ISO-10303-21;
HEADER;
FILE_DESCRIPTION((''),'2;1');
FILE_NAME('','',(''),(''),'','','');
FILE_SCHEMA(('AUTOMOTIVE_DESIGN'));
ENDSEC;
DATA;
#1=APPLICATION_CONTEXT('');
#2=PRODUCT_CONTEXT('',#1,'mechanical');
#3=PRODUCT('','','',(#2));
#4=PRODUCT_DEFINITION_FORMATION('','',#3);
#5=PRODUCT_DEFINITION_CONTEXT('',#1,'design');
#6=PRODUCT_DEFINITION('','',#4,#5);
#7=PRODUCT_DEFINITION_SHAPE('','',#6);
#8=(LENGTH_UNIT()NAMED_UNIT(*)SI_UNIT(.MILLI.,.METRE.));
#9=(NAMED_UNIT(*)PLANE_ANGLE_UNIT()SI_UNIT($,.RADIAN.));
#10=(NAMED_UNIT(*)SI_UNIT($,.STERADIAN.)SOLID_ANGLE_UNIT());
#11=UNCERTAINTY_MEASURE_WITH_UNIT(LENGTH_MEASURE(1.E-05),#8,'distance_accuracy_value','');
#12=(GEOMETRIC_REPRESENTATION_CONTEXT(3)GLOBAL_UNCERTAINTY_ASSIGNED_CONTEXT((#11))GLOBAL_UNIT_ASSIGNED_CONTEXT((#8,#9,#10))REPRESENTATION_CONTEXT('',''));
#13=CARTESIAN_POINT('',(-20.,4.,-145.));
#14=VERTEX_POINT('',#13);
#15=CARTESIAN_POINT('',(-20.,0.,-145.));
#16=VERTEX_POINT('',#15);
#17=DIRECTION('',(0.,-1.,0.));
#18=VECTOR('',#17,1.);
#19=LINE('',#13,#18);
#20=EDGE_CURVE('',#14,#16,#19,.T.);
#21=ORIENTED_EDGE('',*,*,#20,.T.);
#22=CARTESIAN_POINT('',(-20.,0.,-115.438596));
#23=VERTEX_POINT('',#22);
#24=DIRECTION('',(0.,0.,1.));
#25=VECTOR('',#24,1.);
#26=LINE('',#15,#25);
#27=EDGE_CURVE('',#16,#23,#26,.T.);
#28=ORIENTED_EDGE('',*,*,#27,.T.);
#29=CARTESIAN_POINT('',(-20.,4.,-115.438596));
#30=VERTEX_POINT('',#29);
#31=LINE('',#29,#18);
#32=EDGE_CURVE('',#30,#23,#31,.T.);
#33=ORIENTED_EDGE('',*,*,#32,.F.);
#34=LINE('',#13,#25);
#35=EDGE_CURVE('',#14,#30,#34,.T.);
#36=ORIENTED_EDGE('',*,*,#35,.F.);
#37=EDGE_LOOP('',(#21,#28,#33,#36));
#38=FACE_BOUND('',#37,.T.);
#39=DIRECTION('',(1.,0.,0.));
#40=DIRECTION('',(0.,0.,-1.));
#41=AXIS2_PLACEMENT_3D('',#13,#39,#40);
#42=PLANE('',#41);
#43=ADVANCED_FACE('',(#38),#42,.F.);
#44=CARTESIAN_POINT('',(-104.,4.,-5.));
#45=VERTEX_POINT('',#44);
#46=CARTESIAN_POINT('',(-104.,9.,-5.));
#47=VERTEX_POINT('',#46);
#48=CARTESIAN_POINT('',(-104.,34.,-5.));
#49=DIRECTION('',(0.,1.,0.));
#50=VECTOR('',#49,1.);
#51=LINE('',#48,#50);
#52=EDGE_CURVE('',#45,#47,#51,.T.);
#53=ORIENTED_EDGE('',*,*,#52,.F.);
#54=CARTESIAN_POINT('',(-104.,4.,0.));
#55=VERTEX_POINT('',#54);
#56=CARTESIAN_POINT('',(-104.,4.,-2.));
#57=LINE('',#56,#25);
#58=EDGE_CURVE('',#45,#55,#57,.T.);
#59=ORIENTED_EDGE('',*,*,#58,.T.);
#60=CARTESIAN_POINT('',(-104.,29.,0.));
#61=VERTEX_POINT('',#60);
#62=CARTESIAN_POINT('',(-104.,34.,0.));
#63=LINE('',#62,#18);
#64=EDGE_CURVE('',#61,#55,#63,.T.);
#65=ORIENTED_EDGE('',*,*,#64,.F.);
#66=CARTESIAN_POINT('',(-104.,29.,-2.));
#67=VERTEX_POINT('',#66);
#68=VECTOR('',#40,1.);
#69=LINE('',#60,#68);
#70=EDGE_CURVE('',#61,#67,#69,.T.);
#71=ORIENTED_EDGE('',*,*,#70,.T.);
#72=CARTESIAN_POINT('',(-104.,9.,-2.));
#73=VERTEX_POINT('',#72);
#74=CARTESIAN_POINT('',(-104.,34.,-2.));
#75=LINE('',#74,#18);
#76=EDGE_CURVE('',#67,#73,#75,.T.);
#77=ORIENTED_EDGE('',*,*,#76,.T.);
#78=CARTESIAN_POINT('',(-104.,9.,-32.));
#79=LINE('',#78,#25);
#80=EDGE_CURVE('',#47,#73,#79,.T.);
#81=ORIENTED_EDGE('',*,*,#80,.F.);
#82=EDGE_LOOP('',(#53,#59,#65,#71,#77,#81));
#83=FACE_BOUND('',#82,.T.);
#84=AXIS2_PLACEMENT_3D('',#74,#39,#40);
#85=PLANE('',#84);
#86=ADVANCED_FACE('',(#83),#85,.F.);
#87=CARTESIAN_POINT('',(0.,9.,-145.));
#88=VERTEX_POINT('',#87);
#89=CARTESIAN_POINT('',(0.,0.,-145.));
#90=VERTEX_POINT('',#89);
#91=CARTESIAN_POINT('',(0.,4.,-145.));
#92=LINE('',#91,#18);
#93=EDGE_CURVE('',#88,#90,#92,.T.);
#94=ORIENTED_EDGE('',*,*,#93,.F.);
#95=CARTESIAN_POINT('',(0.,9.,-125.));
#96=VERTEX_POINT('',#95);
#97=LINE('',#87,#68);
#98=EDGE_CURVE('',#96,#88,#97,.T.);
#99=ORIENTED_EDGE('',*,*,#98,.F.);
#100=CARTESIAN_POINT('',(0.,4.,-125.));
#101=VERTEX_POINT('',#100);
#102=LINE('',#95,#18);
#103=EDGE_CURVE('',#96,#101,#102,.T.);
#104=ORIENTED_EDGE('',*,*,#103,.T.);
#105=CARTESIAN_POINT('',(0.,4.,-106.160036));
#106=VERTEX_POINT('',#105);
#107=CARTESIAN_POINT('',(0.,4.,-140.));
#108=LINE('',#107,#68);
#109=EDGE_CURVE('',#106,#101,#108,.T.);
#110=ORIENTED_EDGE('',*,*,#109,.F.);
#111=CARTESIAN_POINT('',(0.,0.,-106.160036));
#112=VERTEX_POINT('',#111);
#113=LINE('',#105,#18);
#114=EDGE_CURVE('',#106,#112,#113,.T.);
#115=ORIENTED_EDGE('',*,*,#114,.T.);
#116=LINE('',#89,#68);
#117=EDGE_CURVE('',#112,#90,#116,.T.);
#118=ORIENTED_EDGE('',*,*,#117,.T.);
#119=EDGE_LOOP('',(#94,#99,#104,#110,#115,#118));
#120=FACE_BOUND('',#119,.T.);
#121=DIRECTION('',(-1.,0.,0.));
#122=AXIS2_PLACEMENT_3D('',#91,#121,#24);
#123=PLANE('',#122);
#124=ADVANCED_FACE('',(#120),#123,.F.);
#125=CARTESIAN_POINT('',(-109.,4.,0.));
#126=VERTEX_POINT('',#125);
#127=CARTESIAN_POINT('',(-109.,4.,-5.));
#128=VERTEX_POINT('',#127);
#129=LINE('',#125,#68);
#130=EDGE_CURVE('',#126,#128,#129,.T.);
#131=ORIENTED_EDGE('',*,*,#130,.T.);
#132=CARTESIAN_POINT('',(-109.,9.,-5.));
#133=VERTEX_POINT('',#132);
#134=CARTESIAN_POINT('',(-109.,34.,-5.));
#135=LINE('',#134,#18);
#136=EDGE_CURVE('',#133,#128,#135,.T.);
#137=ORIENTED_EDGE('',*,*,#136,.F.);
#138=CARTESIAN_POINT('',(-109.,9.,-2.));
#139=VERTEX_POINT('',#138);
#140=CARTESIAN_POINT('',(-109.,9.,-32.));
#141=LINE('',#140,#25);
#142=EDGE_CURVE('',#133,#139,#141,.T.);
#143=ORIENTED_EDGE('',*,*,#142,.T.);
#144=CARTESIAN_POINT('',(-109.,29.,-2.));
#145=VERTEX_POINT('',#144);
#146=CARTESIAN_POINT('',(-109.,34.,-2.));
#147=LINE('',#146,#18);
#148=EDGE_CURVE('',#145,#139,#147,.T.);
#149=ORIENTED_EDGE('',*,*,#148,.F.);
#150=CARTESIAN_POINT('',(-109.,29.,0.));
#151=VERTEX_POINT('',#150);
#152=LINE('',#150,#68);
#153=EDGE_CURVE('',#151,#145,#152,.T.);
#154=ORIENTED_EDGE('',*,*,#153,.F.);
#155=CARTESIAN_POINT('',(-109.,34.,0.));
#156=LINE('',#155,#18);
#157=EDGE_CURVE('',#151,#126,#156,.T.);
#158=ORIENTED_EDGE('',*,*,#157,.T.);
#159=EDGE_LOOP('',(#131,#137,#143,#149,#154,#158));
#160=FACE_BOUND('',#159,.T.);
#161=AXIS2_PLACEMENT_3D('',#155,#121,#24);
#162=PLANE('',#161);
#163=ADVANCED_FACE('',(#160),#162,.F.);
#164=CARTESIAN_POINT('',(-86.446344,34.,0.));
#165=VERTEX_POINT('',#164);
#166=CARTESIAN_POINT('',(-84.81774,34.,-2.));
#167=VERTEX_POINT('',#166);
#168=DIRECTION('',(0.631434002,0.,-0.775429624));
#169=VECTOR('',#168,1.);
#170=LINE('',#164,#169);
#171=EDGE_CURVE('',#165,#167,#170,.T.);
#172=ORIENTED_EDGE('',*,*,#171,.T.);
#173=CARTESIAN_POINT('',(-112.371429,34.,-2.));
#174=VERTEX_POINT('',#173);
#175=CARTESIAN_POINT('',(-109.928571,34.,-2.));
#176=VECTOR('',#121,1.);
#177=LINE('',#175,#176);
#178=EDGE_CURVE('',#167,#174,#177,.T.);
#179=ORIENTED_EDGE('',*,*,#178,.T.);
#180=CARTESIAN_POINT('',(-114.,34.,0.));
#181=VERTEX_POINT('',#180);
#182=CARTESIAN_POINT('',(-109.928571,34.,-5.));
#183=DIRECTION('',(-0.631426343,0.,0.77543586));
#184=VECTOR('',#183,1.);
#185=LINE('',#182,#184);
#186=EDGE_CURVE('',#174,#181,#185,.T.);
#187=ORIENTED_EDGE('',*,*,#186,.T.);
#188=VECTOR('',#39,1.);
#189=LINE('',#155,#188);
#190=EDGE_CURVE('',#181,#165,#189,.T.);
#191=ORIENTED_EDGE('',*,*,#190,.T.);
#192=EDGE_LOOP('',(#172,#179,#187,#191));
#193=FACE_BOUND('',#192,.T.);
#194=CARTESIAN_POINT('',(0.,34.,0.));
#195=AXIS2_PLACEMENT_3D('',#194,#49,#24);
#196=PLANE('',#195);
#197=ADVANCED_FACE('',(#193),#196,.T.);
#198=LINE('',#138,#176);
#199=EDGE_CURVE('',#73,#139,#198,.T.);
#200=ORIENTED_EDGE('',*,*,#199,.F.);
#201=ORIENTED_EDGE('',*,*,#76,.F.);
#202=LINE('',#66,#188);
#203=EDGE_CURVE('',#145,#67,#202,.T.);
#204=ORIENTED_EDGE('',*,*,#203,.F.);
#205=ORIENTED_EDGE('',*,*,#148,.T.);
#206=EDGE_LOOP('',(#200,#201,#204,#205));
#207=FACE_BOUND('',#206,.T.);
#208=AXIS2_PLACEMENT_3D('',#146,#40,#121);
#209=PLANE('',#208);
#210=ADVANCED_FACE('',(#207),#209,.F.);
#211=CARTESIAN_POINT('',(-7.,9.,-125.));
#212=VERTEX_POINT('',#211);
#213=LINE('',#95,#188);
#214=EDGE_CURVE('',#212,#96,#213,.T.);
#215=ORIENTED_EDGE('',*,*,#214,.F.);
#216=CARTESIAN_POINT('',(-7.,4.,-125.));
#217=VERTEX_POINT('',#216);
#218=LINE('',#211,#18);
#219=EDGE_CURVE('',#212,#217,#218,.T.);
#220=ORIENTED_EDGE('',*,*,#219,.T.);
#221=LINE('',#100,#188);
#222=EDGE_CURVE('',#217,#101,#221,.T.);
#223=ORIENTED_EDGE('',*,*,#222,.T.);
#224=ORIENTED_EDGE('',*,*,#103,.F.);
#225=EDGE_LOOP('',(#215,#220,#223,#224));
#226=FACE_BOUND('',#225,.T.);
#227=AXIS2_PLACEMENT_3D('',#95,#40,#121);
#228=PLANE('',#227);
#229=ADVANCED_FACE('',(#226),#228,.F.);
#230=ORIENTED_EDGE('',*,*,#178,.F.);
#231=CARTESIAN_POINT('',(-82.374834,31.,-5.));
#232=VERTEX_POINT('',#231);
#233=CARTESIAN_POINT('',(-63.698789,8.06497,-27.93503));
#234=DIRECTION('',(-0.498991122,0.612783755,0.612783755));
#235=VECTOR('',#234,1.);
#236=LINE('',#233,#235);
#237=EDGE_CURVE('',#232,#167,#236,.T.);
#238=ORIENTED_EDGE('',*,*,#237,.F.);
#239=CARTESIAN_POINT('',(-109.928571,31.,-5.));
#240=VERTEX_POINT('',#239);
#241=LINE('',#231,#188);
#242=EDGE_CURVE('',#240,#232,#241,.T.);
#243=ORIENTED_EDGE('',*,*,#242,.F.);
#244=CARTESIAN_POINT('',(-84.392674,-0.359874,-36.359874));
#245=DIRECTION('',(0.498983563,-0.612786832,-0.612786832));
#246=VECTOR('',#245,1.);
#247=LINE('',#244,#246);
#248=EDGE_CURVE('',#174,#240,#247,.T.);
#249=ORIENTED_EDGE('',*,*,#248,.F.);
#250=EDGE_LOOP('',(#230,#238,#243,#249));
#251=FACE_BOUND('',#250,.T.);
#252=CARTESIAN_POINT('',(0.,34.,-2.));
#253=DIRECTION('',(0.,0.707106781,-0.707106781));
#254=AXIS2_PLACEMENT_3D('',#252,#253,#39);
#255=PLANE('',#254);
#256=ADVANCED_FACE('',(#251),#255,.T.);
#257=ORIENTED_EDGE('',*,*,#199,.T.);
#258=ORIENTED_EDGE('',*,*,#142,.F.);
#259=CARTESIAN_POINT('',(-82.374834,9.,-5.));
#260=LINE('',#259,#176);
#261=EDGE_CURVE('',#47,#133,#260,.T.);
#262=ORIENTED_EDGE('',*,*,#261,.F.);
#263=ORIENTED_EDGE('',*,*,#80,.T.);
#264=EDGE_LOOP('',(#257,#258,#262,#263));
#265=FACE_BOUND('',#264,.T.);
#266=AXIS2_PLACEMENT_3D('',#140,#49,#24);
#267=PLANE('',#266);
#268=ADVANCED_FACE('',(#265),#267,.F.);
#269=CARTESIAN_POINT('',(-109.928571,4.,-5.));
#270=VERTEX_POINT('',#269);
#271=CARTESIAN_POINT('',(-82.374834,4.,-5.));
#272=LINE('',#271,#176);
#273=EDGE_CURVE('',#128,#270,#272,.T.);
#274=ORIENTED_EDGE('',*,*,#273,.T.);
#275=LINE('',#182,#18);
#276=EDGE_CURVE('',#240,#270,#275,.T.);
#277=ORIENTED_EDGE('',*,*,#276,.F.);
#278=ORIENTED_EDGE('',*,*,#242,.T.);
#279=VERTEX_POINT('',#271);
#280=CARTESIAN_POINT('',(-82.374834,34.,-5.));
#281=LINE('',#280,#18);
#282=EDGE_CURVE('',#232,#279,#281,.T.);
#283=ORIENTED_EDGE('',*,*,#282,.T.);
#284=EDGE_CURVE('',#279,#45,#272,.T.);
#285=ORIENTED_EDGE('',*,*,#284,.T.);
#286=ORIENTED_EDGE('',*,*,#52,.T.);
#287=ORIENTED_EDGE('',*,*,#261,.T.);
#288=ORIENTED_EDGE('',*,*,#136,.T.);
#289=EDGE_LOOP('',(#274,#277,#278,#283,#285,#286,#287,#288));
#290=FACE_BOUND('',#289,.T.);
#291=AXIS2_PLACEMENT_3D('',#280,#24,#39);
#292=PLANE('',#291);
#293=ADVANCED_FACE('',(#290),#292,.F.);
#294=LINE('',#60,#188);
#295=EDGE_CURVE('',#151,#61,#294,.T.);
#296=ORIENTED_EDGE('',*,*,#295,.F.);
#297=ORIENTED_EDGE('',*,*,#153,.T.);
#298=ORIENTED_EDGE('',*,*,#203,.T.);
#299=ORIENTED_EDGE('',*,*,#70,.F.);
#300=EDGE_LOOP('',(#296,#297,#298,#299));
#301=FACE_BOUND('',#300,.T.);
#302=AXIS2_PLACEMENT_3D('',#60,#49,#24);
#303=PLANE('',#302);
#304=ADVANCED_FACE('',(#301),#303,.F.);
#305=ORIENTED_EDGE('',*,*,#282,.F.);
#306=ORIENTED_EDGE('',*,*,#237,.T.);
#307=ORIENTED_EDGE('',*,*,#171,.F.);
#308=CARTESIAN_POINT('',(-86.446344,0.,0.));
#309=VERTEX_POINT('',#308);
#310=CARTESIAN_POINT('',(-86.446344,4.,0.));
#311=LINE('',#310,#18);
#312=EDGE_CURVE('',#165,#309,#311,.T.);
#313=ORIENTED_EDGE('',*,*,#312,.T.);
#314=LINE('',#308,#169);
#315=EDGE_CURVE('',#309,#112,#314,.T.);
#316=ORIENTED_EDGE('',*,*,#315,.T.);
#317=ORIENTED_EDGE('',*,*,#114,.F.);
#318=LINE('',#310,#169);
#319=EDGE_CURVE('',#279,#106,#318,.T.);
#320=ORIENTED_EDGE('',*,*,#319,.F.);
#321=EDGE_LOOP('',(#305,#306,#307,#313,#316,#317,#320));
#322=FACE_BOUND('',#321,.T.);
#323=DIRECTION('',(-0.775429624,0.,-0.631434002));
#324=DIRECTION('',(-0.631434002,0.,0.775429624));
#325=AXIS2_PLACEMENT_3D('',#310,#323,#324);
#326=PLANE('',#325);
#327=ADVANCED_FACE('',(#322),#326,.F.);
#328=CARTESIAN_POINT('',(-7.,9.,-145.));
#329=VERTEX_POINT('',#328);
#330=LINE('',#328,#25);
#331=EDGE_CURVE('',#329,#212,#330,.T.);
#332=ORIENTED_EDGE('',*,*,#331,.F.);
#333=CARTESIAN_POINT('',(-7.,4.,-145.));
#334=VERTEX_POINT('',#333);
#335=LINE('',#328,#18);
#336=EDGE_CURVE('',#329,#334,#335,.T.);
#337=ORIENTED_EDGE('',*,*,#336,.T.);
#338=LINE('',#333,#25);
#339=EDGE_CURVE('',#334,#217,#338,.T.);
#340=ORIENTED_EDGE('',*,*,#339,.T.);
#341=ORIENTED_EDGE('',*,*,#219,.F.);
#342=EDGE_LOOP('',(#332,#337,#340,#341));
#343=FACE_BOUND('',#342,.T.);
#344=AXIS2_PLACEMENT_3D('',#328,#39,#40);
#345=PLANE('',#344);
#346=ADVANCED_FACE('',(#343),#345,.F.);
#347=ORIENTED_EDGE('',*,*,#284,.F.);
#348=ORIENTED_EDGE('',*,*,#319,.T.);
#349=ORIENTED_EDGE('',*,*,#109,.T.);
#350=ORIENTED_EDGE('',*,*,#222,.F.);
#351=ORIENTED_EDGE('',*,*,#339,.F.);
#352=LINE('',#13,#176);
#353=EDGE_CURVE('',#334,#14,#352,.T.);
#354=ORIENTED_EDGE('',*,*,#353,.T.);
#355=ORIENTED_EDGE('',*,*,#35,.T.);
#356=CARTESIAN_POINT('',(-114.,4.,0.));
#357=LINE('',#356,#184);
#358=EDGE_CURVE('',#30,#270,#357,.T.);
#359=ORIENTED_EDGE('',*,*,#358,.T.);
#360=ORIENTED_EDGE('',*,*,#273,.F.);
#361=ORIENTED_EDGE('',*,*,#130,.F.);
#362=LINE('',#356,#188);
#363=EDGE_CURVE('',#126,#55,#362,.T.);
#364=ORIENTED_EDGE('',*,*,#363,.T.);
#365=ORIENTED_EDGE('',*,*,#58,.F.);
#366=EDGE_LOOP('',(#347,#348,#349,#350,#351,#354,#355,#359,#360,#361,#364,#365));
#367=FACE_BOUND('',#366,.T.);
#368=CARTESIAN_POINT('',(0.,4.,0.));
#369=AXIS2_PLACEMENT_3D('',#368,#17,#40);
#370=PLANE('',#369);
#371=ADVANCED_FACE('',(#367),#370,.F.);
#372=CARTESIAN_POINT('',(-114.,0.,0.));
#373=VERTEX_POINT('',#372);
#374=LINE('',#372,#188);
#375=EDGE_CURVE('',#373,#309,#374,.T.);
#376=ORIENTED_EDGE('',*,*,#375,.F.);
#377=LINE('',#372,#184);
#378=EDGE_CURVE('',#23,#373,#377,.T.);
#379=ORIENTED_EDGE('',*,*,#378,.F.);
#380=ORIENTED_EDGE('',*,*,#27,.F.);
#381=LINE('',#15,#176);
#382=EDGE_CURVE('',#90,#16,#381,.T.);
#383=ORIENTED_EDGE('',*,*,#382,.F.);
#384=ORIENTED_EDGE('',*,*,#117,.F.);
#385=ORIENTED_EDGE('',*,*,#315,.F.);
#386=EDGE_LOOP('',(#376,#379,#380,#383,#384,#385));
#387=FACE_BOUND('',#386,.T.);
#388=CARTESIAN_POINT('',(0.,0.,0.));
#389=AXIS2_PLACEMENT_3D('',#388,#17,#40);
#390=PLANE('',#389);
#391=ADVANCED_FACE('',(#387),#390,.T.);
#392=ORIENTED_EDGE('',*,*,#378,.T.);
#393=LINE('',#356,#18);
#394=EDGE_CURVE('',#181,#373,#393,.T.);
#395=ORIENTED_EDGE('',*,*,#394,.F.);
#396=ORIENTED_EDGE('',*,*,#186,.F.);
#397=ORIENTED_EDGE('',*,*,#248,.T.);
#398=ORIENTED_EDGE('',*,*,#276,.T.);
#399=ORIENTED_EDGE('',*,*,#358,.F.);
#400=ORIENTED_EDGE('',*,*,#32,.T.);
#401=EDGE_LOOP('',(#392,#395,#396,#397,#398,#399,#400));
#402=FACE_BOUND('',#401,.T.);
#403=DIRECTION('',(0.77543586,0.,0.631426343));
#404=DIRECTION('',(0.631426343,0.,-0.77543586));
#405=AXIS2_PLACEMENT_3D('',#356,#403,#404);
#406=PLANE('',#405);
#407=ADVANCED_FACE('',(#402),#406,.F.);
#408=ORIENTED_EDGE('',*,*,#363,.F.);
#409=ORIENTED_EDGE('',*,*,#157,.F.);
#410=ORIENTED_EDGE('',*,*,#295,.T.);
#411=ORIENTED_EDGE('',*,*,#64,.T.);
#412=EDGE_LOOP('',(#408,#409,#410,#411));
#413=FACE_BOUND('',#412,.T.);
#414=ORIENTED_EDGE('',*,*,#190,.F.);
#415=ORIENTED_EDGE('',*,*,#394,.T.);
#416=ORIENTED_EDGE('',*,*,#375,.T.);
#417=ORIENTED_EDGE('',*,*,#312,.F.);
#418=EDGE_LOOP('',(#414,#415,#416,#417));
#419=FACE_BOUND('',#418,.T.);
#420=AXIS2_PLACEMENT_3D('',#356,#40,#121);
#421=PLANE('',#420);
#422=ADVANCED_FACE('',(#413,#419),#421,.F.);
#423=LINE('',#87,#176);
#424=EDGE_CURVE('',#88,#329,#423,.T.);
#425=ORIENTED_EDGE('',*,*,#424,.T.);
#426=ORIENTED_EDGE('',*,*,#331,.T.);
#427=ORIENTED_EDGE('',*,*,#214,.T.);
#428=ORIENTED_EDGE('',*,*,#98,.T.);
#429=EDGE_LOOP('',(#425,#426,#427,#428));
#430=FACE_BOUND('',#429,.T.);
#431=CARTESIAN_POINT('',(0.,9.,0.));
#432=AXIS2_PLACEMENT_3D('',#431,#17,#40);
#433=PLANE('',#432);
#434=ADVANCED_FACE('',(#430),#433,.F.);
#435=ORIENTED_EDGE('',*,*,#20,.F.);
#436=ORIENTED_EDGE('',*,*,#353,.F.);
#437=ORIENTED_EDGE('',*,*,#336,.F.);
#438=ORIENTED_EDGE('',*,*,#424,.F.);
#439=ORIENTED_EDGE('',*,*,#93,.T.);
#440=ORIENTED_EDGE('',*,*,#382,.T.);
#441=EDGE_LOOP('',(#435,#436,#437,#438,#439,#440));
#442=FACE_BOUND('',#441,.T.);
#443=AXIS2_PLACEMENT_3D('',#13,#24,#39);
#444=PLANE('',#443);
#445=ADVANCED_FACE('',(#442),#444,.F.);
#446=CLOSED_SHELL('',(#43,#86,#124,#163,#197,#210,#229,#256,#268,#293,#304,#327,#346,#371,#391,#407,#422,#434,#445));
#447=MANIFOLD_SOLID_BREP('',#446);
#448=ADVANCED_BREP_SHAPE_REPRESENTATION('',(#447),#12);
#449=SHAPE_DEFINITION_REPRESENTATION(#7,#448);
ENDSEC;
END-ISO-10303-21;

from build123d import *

# Parameters (mm, degrees)
BOSS_EXTRUDE1_DEPTH = 4
SKETCH4_W           = 7
SKETCH4_H           = 20
BOSS_EXTRUDE3_DEPTH = 5
BOSS_EXTRUDE4_DEPTH = 30
SKETCH6_W           = 5
SKETCH6_H           = 5
CUT_EXTRUDE2_DEPTH  = 30
SKETCH7_W           = 5
SKETCH7_H           = 5
BOSS_EXTRUDE5_DEPTH = 2
CHAMFER1_SIZE       = 3


with BuildPart() as part:
    # Sketch1 → Boss-Extrude1 (new body)
    with BuildSketch(Plane(origin=(0, 0, 0), x_dir=(1, 0, 0), z_dir=(0, 1, 0))):
        Polygon((-114, 0), (-86.446344316, 0), (0, 106.160035841), (0, 140), (0, 145), (-20, 145), (-20, 115.438596491), align=None)
    extrude(amount=BOSS_EXTRUDE1_DEPTH)

    # Sketch4 → Boss-Extrude3 (add)
    with BuildSketch(Plane(origin=(0, 4, 0), x_dir=(1, 0, 0), z_dir=(0, 1, 0))):
        with Locations((-3.5, 135)):
            Rectangle(SKETCH4_W, SKETCH4_H)
    extrude(amount=BOSS_EXTRUDE3_DEPTH)

    # Sketch5 → Boss-Extrude4 (add)
    with BuildSketch(Plane(origin=(0, 4, 0), x_dir=(1, 0, 0), z_dir=(0, 1, 0))):
        Polygon((-86.446344316, 0), (-104, 0), (-104, 2), (-109, 2), (-109, 0), (-114, 0), (-109.928571429, 5), (-82.374833619, 5), align=None)
    extrude(amount=BOSS_EXTRUDE4_DEPTH)

    # Sketch6 → Cut-Extrude2 (cut)
    with BuildSketch(Plane.XY.offset(-2)):
        with Locations((-106.5, 6.5)):
            Rectangle(SKETCH6_W, SKETCH6_H)
    extrude(amount=-CUT_EXTRUDE2_DEPTH, mode=Mode.SUBTRACT)

    # Sketch7 → Boss-Extrude5 (add)
    with BuildSketch(Plane.XY.offset(-2)):
        with Locations((-106.5, 31.5)):
            Rectangle(SKETCH7_W, SKETCH7_H)
    extrude(amount=BOSS_EXTRUDE5_DEPTH)

    # Chamfer1
    chamfer1_edges = [part.edges().sort_by_distance(p)[0] for p in [
        (-96.151702524, 34, -5),
    ]]
    chamfer(chamfer1_edges, length=CHAMFER1_SIZE)


solid = part.part
